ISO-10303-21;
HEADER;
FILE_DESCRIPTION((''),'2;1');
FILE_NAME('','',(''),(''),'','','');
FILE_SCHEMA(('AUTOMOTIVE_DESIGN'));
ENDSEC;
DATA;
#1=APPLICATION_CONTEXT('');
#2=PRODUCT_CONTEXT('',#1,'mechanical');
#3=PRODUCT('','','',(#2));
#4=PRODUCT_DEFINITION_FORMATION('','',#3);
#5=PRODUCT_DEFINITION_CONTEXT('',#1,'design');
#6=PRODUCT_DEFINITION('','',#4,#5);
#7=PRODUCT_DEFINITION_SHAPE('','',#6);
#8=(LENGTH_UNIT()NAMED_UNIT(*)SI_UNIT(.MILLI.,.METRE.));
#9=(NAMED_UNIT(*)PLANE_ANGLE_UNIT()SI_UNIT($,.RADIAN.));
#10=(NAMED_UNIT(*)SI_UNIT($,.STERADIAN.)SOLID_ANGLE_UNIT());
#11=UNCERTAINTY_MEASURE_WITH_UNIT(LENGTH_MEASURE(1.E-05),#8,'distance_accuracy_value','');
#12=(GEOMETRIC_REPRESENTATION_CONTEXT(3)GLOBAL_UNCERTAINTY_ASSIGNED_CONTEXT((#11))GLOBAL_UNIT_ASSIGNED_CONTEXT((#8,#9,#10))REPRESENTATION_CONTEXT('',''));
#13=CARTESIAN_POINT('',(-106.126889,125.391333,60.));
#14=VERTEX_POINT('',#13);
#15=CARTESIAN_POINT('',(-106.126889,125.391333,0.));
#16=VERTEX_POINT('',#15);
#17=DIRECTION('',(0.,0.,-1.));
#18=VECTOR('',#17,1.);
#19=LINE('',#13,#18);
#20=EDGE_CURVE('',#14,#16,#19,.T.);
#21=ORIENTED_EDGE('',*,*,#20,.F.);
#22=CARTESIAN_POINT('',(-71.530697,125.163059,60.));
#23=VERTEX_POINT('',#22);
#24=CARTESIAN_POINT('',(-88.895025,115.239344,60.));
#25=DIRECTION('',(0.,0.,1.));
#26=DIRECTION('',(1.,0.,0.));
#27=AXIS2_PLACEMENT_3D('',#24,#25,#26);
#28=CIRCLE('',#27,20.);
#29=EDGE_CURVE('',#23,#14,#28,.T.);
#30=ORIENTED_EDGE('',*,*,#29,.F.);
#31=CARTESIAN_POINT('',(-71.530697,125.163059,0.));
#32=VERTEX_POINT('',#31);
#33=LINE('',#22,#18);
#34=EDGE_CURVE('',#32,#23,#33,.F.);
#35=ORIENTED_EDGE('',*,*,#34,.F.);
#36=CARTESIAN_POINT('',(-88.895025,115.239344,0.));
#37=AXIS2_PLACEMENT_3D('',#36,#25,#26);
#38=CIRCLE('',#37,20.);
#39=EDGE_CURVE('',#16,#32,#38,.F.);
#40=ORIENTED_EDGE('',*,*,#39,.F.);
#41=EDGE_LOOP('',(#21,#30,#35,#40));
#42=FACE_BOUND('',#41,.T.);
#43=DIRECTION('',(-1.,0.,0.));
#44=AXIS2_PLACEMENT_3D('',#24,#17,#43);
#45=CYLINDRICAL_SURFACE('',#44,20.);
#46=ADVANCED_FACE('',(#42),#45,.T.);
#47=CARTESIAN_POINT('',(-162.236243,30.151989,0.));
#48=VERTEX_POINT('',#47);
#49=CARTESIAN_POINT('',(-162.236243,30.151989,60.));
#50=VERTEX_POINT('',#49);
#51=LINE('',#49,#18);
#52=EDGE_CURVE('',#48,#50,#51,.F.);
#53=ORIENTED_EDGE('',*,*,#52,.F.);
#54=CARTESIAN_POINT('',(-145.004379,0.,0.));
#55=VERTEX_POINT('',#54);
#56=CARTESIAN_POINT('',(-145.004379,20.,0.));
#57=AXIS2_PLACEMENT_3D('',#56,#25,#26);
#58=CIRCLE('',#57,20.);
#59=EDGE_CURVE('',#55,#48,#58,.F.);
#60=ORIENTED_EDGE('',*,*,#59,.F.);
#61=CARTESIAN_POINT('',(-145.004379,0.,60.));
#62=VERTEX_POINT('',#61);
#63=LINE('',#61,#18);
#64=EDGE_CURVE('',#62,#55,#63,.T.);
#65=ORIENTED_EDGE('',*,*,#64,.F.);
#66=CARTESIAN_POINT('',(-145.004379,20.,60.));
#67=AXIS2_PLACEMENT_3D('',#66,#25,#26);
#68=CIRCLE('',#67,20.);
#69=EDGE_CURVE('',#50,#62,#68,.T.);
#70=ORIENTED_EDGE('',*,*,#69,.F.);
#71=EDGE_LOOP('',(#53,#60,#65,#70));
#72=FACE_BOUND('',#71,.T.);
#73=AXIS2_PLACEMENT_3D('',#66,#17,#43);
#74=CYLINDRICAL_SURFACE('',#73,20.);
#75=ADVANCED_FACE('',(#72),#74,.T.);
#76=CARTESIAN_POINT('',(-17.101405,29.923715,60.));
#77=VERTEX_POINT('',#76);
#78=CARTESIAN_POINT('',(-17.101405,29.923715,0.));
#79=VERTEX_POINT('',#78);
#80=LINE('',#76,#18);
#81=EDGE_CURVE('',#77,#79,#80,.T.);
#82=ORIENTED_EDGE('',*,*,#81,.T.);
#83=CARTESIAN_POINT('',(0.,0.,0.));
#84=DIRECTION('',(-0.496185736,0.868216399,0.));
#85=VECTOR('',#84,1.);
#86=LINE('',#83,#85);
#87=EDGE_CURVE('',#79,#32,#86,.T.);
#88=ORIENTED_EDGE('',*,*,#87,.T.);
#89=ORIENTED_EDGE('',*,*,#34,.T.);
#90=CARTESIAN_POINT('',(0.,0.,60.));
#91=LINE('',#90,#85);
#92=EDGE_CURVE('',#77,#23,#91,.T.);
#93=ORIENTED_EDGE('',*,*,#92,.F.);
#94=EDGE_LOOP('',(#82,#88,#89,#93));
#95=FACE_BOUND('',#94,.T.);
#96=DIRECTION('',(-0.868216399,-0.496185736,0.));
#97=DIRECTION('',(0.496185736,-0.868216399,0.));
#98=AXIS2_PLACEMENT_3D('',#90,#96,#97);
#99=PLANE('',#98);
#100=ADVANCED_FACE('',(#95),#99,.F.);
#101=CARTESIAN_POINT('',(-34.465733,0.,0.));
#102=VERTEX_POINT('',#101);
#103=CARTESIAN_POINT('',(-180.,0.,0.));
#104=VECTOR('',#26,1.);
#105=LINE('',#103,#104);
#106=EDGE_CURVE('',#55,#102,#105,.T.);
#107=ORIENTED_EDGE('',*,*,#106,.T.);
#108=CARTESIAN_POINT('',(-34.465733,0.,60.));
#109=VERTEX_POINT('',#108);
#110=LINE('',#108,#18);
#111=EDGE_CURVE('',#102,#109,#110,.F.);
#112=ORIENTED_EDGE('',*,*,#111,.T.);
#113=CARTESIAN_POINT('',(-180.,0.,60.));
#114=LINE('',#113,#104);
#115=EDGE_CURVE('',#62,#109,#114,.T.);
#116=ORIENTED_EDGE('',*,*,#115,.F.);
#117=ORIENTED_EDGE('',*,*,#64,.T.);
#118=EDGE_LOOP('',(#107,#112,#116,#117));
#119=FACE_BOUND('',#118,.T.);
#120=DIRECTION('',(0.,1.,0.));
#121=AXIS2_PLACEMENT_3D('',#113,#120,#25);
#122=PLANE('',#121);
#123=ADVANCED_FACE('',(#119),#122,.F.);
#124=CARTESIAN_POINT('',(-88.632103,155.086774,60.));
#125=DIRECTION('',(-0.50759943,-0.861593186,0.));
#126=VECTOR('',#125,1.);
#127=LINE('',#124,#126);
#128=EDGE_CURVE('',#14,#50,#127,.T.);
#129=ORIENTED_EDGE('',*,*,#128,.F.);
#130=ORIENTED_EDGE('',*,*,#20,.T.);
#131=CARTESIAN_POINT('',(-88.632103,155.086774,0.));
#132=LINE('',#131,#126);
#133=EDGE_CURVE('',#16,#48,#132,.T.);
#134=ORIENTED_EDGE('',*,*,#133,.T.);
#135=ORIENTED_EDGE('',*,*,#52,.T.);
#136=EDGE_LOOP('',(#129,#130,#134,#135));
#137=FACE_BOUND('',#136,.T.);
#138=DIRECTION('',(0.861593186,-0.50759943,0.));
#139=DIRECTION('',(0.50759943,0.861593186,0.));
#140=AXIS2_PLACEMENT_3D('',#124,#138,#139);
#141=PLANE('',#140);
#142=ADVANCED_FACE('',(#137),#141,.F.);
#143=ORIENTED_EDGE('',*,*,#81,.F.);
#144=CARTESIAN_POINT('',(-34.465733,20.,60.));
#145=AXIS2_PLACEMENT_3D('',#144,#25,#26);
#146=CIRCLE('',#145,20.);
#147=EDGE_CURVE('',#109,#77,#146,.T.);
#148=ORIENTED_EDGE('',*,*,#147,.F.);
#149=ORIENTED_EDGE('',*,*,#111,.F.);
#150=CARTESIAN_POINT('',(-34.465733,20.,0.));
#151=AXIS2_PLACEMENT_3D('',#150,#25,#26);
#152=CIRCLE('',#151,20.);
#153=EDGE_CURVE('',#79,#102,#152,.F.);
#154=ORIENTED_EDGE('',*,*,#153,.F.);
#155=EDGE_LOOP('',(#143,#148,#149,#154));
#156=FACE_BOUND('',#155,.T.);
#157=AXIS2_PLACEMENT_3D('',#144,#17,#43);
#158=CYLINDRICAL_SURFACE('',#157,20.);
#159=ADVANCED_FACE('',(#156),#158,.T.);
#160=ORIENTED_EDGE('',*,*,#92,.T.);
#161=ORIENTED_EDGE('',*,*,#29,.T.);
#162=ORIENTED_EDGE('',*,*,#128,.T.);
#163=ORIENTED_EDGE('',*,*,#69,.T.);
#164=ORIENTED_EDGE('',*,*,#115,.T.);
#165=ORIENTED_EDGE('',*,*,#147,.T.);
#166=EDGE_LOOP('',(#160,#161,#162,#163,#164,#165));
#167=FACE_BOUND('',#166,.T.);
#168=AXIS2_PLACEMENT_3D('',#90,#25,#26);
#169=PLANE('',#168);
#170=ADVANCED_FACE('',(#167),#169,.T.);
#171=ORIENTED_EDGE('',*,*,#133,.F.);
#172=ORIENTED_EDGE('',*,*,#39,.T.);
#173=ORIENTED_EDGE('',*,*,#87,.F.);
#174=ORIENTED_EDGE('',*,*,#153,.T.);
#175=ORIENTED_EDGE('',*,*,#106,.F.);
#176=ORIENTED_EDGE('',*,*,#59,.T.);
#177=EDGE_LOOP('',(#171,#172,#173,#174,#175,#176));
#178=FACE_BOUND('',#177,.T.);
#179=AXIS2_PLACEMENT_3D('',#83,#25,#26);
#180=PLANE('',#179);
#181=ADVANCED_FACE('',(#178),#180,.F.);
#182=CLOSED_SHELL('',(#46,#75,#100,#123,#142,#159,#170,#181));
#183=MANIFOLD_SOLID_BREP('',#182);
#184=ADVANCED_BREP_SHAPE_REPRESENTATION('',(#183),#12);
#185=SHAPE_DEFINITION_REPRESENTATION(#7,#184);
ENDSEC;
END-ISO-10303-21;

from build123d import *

# Parameters (mm, degrees)
EXTRUDE_1_DEPTH = 30
FILLET_1_R      = 10
SCALE_1_SCALE   = 2


with BuildPart() as part:
    # 草图1 → 凸台-拉伸1 (new body)
    with BuildSketch(Plane.XY):
        Polygon((-90, 0), (0, 0), (-44.31605129, 77.54338676), align=None)
    extrude(amount=EXTRUDE_1_DEPTH)

    # 圆角1
    fillet_1_edges = [part.edges().sort_by_distance(p)[0] for p in [
        (0, 0, 15),
        (-90, 0, 15),
        (-44.31605129, 77.54338676, 15),
    ]]
    fillet(fillet_1_edges, radius=FILLET_1_R)


with BuildPart() as part_1:
    # 缩放比例1: scaled about (0, 0, 0)
    add(part.part.scale(SCALE_1_SCALE))


solid = part_1.part
